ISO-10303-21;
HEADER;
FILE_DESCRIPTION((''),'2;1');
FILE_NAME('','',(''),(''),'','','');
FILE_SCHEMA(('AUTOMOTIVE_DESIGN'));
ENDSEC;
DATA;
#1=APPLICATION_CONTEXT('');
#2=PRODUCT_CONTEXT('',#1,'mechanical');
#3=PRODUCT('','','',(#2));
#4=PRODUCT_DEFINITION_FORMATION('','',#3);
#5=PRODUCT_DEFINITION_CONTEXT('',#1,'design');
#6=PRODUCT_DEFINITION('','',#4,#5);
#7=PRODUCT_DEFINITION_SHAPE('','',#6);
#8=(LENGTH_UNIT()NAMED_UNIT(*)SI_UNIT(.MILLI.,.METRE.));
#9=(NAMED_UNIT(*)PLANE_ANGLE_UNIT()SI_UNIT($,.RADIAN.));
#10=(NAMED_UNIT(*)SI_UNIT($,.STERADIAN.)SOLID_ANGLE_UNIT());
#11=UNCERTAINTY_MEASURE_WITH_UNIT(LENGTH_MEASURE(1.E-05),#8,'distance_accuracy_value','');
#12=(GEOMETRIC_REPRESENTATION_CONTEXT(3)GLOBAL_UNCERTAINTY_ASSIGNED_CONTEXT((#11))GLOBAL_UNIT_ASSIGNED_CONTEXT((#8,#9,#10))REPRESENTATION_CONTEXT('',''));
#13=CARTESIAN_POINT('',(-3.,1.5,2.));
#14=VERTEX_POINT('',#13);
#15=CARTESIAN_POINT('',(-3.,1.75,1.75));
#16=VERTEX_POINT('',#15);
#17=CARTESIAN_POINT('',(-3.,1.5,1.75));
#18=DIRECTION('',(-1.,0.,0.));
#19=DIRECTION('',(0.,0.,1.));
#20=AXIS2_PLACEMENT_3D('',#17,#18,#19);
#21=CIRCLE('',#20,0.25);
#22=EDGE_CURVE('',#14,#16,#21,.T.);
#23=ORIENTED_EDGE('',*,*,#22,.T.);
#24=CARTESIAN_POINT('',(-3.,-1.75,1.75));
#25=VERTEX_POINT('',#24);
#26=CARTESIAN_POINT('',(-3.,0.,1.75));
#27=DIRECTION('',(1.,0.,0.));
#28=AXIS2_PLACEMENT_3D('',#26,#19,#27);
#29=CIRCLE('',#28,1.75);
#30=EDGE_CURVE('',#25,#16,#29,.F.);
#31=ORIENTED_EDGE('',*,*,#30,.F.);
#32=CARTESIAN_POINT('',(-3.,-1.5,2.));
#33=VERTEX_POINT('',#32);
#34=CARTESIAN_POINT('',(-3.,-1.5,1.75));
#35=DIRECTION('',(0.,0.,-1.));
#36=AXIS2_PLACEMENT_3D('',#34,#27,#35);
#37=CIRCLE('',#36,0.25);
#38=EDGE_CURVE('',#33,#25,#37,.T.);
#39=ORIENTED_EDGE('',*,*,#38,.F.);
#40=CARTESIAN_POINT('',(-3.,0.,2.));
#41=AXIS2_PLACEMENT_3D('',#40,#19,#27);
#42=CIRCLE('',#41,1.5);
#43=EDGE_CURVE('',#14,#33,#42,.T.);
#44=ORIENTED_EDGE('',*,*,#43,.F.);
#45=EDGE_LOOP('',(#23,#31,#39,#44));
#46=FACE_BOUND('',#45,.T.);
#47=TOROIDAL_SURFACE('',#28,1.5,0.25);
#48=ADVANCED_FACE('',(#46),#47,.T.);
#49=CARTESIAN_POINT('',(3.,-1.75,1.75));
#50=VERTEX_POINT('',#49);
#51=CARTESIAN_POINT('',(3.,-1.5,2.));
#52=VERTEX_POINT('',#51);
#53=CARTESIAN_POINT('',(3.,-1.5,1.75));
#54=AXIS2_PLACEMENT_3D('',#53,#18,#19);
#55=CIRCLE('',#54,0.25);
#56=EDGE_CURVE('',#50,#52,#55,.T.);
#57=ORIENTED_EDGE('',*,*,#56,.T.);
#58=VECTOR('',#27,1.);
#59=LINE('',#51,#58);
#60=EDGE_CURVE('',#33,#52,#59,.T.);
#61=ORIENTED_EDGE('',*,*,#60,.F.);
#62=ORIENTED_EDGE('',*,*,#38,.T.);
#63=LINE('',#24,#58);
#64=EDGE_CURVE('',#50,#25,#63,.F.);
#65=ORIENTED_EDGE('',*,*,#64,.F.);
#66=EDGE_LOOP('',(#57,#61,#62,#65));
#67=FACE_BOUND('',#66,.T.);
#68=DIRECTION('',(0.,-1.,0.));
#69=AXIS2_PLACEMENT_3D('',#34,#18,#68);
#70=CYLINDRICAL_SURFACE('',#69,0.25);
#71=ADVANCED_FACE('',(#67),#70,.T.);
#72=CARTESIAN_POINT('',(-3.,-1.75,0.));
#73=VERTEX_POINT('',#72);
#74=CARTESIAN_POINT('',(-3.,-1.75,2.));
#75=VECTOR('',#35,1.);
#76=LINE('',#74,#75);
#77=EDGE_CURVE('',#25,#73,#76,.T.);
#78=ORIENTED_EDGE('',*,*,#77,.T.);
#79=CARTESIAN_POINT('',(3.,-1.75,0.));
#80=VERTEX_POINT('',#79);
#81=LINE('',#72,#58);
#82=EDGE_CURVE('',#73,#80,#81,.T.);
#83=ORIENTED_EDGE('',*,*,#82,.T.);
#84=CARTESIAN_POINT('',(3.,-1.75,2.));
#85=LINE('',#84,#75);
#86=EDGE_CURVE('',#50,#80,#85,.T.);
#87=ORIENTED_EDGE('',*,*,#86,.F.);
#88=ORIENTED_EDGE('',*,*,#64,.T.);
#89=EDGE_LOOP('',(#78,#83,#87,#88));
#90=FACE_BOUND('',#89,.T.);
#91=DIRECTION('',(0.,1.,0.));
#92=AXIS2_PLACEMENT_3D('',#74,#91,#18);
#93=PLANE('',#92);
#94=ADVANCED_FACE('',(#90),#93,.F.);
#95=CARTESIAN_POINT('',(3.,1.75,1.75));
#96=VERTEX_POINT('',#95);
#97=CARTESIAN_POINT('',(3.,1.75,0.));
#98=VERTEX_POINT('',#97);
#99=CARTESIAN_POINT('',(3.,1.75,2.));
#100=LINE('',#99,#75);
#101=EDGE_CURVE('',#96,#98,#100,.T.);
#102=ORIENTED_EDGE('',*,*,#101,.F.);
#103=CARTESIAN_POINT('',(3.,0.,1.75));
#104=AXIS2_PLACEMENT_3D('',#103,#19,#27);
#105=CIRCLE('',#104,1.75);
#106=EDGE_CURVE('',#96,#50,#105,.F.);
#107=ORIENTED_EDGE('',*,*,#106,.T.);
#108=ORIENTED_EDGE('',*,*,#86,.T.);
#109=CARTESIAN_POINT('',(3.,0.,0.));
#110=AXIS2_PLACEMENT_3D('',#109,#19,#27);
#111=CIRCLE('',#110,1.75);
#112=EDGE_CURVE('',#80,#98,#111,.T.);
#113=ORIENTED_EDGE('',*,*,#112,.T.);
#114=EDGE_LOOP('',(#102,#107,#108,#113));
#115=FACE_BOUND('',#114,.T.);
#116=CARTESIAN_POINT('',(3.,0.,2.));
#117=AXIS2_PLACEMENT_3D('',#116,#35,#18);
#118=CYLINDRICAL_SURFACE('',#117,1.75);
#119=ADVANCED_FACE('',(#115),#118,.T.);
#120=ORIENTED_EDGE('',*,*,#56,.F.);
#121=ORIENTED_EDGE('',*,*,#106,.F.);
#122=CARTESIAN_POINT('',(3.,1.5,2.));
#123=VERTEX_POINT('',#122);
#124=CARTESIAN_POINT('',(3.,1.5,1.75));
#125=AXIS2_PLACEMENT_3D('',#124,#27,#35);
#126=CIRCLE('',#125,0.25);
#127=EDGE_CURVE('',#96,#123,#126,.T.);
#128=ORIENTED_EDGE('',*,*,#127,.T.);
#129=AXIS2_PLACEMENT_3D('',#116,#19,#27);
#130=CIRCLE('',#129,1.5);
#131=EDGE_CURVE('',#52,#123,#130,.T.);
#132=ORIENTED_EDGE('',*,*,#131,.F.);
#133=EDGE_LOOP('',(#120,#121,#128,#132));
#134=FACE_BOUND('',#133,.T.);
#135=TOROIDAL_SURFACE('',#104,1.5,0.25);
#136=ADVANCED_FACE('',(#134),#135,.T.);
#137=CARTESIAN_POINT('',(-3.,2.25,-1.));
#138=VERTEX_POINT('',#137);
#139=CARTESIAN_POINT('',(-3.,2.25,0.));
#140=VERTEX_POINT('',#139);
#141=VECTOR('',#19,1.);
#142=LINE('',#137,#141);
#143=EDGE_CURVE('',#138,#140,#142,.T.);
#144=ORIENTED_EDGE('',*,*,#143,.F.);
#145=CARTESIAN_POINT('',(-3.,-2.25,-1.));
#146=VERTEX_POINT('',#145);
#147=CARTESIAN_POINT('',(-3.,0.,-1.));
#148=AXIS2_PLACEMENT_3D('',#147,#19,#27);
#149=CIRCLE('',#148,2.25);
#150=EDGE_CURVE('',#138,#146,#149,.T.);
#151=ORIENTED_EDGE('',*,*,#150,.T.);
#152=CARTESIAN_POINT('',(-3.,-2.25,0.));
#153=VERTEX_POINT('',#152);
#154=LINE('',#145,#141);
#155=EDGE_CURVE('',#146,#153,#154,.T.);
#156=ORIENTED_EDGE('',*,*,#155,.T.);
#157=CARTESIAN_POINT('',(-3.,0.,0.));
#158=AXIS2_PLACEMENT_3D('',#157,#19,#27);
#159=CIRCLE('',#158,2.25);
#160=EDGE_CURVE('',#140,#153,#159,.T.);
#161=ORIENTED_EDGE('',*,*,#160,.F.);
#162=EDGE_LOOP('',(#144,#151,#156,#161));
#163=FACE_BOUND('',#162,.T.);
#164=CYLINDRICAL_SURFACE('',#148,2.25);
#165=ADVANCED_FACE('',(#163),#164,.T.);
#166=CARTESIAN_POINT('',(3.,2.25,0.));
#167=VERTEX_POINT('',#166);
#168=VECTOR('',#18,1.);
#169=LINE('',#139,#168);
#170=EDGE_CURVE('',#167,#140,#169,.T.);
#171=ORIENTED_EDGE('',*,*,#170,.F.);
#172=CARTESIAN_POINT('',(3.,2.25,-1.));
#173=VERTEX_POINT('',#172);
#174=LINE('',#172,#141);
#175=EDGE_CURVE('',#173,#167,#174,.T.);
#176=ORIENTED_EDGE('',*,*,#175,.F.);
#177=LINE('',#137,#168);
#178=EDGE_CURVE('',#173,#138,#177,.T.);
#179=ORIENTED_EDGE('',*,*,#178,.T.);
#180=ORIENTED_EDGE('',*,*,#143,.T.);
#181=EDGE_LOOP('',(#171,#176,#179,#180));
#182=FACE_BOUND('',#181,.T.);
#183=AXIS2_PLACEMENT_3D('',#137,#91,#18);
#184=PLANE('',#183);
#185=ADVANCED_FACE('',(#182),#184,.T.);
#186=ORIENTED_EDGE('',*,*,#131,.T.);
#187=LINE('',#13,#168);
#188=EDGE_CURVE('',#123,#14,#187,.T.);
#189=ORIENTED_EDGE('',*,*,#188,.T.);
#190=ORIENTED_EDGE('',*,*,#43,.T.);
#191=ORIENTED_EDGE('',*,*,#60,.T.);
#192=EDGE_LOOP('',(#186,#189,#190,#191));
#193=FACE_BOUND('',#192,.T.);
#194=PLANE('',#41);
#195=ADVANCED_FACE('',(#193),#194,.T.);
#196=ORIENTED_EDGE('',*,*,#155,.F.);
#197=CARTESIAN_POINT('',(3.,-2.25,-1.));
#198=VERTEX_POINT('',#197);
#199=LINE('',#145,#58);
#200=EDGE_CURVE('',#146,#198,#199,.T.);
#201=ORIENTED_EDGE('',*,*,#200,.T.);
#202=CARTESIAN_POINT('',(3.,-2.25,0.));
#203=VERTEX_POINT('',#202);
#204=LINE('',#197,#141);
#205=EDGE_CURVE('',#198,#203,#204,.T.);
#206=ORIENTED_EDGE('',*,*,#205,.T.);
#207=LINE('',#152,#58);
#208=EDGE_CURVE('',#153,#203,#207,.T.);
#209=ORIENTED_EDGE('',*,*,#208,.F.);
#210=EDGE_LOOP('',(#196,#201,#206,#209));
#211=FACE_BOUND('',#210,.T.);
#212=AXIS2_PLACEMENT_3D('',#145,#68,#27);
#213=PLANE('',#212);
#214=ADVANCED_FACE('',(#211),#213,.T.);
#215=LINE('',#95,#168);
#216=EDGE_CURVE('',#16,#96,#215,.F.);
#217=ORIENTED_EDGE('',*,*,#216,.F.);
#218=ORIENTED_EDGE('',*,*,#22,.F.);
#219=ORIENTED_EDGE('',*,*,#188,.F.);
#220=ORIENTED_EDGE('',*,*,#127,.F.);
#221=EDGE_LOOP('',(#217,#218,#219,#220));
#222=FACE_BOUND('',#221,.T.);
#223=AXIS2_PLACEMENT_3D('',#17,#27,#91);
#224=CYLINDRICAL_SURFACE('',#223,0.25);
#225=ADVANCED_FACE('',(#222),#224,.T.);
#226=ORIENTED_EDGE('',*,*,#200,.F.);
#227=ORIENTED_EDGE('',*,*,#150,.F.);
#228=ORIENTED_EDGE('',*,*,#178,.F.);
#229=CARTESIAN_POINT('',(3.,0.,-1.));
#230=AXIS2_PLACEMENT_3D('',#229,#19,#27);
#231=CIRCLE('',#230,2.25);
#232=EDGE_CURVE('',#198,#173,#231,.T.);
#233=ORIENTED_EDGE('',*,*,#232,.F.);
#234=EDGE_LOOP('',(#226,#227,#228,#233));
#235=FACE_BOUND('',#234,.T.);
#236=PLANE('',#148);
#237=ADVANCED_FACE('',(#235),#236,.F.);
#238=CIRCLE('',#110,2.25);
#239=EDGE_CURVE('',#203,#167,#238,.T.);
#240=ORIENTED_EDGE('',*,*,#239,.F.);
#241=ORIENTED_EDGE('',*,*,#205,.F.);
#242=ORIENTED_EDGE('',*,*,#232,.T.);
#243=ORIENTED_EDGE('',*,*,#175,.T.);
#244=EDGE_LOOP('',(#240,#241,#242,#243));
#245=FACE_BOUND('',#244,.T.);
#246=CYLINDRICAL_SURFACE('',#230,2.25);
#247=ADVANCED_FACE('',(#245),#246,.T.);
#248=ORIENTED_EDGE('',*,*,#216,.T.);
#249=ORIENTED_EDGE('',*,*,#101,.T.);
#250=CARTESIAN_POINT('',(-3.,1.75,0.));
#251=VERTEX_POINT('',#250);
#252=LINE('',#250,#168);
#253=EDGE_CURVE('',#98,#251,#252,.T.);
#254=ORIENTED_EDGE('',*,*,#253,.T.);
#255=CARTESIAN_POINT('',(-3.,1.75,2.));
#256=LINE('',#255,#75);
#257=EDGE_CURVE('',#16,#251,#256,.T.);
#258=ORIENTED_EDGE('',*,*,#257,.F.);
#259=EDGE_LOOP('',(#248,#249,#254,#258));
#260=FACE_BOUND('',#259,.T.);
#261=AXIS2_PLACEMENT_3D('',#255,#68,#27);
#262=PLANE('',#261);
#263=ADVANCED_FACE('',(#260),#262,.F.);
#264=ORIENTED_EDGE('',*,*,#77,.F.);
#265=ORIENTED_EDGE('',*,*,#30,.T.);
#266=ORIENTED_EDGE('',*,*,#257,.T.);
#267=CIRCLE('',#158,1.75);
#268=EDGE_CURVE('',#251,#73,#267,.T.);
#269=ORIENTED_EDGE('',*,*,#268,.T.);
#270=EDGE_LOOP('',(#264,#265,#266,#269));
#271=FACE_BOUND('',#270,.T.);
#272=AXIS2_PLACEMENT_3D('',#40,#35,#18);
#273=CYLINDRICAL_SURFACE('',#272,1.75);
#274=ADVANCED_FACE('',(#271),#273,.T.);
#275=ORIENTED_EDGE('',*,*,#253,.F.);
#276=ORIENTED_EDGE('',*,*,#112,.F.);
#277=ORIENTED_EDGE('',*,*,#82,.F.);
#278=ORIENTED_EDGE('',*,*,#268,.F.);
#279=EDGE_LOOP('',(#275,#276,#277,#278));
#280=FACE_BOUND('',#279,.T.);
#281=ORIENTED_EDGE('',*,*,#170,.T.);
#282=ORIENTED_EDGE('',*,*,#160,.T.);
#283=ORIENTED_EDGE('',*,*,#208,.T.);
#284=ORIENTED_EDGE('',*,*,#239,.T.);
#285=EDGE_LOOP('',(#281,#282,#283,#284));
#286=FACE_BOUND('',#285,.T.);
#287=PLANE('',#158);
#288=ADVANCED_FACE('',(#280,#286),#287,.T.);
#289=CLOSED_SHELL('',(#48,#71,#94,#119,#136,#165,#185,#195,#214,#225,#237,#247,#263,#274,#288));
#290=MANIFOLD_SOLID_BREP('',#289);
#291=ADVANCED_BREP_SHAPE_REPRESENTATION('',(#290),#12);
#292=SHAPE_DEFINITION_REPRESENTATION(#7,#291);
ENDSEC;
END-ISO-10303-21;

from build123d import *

# Parameters (mm, degrees)
BOSS_EXTRU_1_DEPTH = 2
BOSS_EXTRU_2_DEPTH = 1
CONG_1_R           = 0.25


with BuildPart() as part:
    # Esquisse1 → Boss.-Extru.1 (new body)
    with BuildSketch(Plane.XY):
        with BuildLine():
            Line((-3, 1.75), (3, 1.75))
            ThreePointArc((3, 1.75), (4.75, 0), (3, -1.75))
            Line((3, -1.75), (-3, -1.75))
            ThreePointArc((-3, -1.75), (-4.75, 0), (-3, 1.75))
        make_face()
    extrude(amount=BOSS_EXTRU_1_DEPTH)

    # Esquisse3 → Boss.-Extru.2 (add)
    with BuildSketch(Plane.XY):
        with BuildLine():
            Line((-3, 2.25), (3, 2.25))
            ThreePointArc((3, 2.25), (5.25, 0), (3, -2.25))
            Line((3, -2.25), (-3, -2.25))
            ThreePointArc((-3, -2.25), (-5.25, 0), (-3, 2.25))
        make_face()
    extrude(amount=-BOSS_EXTRU_2_DEPTH)

    # Congé1
    cong_1_edges = [part.edges().sort_by_distance(p)[0] for p in [
        (4.75, 0, 2),
        (0, 1.75, 2),
        (-4.75, 0, 2),
        (0, -1.75, 2),
    ]]
    fillet(cong_1_edges, radius=CONG_1_R)


solid = part.part
